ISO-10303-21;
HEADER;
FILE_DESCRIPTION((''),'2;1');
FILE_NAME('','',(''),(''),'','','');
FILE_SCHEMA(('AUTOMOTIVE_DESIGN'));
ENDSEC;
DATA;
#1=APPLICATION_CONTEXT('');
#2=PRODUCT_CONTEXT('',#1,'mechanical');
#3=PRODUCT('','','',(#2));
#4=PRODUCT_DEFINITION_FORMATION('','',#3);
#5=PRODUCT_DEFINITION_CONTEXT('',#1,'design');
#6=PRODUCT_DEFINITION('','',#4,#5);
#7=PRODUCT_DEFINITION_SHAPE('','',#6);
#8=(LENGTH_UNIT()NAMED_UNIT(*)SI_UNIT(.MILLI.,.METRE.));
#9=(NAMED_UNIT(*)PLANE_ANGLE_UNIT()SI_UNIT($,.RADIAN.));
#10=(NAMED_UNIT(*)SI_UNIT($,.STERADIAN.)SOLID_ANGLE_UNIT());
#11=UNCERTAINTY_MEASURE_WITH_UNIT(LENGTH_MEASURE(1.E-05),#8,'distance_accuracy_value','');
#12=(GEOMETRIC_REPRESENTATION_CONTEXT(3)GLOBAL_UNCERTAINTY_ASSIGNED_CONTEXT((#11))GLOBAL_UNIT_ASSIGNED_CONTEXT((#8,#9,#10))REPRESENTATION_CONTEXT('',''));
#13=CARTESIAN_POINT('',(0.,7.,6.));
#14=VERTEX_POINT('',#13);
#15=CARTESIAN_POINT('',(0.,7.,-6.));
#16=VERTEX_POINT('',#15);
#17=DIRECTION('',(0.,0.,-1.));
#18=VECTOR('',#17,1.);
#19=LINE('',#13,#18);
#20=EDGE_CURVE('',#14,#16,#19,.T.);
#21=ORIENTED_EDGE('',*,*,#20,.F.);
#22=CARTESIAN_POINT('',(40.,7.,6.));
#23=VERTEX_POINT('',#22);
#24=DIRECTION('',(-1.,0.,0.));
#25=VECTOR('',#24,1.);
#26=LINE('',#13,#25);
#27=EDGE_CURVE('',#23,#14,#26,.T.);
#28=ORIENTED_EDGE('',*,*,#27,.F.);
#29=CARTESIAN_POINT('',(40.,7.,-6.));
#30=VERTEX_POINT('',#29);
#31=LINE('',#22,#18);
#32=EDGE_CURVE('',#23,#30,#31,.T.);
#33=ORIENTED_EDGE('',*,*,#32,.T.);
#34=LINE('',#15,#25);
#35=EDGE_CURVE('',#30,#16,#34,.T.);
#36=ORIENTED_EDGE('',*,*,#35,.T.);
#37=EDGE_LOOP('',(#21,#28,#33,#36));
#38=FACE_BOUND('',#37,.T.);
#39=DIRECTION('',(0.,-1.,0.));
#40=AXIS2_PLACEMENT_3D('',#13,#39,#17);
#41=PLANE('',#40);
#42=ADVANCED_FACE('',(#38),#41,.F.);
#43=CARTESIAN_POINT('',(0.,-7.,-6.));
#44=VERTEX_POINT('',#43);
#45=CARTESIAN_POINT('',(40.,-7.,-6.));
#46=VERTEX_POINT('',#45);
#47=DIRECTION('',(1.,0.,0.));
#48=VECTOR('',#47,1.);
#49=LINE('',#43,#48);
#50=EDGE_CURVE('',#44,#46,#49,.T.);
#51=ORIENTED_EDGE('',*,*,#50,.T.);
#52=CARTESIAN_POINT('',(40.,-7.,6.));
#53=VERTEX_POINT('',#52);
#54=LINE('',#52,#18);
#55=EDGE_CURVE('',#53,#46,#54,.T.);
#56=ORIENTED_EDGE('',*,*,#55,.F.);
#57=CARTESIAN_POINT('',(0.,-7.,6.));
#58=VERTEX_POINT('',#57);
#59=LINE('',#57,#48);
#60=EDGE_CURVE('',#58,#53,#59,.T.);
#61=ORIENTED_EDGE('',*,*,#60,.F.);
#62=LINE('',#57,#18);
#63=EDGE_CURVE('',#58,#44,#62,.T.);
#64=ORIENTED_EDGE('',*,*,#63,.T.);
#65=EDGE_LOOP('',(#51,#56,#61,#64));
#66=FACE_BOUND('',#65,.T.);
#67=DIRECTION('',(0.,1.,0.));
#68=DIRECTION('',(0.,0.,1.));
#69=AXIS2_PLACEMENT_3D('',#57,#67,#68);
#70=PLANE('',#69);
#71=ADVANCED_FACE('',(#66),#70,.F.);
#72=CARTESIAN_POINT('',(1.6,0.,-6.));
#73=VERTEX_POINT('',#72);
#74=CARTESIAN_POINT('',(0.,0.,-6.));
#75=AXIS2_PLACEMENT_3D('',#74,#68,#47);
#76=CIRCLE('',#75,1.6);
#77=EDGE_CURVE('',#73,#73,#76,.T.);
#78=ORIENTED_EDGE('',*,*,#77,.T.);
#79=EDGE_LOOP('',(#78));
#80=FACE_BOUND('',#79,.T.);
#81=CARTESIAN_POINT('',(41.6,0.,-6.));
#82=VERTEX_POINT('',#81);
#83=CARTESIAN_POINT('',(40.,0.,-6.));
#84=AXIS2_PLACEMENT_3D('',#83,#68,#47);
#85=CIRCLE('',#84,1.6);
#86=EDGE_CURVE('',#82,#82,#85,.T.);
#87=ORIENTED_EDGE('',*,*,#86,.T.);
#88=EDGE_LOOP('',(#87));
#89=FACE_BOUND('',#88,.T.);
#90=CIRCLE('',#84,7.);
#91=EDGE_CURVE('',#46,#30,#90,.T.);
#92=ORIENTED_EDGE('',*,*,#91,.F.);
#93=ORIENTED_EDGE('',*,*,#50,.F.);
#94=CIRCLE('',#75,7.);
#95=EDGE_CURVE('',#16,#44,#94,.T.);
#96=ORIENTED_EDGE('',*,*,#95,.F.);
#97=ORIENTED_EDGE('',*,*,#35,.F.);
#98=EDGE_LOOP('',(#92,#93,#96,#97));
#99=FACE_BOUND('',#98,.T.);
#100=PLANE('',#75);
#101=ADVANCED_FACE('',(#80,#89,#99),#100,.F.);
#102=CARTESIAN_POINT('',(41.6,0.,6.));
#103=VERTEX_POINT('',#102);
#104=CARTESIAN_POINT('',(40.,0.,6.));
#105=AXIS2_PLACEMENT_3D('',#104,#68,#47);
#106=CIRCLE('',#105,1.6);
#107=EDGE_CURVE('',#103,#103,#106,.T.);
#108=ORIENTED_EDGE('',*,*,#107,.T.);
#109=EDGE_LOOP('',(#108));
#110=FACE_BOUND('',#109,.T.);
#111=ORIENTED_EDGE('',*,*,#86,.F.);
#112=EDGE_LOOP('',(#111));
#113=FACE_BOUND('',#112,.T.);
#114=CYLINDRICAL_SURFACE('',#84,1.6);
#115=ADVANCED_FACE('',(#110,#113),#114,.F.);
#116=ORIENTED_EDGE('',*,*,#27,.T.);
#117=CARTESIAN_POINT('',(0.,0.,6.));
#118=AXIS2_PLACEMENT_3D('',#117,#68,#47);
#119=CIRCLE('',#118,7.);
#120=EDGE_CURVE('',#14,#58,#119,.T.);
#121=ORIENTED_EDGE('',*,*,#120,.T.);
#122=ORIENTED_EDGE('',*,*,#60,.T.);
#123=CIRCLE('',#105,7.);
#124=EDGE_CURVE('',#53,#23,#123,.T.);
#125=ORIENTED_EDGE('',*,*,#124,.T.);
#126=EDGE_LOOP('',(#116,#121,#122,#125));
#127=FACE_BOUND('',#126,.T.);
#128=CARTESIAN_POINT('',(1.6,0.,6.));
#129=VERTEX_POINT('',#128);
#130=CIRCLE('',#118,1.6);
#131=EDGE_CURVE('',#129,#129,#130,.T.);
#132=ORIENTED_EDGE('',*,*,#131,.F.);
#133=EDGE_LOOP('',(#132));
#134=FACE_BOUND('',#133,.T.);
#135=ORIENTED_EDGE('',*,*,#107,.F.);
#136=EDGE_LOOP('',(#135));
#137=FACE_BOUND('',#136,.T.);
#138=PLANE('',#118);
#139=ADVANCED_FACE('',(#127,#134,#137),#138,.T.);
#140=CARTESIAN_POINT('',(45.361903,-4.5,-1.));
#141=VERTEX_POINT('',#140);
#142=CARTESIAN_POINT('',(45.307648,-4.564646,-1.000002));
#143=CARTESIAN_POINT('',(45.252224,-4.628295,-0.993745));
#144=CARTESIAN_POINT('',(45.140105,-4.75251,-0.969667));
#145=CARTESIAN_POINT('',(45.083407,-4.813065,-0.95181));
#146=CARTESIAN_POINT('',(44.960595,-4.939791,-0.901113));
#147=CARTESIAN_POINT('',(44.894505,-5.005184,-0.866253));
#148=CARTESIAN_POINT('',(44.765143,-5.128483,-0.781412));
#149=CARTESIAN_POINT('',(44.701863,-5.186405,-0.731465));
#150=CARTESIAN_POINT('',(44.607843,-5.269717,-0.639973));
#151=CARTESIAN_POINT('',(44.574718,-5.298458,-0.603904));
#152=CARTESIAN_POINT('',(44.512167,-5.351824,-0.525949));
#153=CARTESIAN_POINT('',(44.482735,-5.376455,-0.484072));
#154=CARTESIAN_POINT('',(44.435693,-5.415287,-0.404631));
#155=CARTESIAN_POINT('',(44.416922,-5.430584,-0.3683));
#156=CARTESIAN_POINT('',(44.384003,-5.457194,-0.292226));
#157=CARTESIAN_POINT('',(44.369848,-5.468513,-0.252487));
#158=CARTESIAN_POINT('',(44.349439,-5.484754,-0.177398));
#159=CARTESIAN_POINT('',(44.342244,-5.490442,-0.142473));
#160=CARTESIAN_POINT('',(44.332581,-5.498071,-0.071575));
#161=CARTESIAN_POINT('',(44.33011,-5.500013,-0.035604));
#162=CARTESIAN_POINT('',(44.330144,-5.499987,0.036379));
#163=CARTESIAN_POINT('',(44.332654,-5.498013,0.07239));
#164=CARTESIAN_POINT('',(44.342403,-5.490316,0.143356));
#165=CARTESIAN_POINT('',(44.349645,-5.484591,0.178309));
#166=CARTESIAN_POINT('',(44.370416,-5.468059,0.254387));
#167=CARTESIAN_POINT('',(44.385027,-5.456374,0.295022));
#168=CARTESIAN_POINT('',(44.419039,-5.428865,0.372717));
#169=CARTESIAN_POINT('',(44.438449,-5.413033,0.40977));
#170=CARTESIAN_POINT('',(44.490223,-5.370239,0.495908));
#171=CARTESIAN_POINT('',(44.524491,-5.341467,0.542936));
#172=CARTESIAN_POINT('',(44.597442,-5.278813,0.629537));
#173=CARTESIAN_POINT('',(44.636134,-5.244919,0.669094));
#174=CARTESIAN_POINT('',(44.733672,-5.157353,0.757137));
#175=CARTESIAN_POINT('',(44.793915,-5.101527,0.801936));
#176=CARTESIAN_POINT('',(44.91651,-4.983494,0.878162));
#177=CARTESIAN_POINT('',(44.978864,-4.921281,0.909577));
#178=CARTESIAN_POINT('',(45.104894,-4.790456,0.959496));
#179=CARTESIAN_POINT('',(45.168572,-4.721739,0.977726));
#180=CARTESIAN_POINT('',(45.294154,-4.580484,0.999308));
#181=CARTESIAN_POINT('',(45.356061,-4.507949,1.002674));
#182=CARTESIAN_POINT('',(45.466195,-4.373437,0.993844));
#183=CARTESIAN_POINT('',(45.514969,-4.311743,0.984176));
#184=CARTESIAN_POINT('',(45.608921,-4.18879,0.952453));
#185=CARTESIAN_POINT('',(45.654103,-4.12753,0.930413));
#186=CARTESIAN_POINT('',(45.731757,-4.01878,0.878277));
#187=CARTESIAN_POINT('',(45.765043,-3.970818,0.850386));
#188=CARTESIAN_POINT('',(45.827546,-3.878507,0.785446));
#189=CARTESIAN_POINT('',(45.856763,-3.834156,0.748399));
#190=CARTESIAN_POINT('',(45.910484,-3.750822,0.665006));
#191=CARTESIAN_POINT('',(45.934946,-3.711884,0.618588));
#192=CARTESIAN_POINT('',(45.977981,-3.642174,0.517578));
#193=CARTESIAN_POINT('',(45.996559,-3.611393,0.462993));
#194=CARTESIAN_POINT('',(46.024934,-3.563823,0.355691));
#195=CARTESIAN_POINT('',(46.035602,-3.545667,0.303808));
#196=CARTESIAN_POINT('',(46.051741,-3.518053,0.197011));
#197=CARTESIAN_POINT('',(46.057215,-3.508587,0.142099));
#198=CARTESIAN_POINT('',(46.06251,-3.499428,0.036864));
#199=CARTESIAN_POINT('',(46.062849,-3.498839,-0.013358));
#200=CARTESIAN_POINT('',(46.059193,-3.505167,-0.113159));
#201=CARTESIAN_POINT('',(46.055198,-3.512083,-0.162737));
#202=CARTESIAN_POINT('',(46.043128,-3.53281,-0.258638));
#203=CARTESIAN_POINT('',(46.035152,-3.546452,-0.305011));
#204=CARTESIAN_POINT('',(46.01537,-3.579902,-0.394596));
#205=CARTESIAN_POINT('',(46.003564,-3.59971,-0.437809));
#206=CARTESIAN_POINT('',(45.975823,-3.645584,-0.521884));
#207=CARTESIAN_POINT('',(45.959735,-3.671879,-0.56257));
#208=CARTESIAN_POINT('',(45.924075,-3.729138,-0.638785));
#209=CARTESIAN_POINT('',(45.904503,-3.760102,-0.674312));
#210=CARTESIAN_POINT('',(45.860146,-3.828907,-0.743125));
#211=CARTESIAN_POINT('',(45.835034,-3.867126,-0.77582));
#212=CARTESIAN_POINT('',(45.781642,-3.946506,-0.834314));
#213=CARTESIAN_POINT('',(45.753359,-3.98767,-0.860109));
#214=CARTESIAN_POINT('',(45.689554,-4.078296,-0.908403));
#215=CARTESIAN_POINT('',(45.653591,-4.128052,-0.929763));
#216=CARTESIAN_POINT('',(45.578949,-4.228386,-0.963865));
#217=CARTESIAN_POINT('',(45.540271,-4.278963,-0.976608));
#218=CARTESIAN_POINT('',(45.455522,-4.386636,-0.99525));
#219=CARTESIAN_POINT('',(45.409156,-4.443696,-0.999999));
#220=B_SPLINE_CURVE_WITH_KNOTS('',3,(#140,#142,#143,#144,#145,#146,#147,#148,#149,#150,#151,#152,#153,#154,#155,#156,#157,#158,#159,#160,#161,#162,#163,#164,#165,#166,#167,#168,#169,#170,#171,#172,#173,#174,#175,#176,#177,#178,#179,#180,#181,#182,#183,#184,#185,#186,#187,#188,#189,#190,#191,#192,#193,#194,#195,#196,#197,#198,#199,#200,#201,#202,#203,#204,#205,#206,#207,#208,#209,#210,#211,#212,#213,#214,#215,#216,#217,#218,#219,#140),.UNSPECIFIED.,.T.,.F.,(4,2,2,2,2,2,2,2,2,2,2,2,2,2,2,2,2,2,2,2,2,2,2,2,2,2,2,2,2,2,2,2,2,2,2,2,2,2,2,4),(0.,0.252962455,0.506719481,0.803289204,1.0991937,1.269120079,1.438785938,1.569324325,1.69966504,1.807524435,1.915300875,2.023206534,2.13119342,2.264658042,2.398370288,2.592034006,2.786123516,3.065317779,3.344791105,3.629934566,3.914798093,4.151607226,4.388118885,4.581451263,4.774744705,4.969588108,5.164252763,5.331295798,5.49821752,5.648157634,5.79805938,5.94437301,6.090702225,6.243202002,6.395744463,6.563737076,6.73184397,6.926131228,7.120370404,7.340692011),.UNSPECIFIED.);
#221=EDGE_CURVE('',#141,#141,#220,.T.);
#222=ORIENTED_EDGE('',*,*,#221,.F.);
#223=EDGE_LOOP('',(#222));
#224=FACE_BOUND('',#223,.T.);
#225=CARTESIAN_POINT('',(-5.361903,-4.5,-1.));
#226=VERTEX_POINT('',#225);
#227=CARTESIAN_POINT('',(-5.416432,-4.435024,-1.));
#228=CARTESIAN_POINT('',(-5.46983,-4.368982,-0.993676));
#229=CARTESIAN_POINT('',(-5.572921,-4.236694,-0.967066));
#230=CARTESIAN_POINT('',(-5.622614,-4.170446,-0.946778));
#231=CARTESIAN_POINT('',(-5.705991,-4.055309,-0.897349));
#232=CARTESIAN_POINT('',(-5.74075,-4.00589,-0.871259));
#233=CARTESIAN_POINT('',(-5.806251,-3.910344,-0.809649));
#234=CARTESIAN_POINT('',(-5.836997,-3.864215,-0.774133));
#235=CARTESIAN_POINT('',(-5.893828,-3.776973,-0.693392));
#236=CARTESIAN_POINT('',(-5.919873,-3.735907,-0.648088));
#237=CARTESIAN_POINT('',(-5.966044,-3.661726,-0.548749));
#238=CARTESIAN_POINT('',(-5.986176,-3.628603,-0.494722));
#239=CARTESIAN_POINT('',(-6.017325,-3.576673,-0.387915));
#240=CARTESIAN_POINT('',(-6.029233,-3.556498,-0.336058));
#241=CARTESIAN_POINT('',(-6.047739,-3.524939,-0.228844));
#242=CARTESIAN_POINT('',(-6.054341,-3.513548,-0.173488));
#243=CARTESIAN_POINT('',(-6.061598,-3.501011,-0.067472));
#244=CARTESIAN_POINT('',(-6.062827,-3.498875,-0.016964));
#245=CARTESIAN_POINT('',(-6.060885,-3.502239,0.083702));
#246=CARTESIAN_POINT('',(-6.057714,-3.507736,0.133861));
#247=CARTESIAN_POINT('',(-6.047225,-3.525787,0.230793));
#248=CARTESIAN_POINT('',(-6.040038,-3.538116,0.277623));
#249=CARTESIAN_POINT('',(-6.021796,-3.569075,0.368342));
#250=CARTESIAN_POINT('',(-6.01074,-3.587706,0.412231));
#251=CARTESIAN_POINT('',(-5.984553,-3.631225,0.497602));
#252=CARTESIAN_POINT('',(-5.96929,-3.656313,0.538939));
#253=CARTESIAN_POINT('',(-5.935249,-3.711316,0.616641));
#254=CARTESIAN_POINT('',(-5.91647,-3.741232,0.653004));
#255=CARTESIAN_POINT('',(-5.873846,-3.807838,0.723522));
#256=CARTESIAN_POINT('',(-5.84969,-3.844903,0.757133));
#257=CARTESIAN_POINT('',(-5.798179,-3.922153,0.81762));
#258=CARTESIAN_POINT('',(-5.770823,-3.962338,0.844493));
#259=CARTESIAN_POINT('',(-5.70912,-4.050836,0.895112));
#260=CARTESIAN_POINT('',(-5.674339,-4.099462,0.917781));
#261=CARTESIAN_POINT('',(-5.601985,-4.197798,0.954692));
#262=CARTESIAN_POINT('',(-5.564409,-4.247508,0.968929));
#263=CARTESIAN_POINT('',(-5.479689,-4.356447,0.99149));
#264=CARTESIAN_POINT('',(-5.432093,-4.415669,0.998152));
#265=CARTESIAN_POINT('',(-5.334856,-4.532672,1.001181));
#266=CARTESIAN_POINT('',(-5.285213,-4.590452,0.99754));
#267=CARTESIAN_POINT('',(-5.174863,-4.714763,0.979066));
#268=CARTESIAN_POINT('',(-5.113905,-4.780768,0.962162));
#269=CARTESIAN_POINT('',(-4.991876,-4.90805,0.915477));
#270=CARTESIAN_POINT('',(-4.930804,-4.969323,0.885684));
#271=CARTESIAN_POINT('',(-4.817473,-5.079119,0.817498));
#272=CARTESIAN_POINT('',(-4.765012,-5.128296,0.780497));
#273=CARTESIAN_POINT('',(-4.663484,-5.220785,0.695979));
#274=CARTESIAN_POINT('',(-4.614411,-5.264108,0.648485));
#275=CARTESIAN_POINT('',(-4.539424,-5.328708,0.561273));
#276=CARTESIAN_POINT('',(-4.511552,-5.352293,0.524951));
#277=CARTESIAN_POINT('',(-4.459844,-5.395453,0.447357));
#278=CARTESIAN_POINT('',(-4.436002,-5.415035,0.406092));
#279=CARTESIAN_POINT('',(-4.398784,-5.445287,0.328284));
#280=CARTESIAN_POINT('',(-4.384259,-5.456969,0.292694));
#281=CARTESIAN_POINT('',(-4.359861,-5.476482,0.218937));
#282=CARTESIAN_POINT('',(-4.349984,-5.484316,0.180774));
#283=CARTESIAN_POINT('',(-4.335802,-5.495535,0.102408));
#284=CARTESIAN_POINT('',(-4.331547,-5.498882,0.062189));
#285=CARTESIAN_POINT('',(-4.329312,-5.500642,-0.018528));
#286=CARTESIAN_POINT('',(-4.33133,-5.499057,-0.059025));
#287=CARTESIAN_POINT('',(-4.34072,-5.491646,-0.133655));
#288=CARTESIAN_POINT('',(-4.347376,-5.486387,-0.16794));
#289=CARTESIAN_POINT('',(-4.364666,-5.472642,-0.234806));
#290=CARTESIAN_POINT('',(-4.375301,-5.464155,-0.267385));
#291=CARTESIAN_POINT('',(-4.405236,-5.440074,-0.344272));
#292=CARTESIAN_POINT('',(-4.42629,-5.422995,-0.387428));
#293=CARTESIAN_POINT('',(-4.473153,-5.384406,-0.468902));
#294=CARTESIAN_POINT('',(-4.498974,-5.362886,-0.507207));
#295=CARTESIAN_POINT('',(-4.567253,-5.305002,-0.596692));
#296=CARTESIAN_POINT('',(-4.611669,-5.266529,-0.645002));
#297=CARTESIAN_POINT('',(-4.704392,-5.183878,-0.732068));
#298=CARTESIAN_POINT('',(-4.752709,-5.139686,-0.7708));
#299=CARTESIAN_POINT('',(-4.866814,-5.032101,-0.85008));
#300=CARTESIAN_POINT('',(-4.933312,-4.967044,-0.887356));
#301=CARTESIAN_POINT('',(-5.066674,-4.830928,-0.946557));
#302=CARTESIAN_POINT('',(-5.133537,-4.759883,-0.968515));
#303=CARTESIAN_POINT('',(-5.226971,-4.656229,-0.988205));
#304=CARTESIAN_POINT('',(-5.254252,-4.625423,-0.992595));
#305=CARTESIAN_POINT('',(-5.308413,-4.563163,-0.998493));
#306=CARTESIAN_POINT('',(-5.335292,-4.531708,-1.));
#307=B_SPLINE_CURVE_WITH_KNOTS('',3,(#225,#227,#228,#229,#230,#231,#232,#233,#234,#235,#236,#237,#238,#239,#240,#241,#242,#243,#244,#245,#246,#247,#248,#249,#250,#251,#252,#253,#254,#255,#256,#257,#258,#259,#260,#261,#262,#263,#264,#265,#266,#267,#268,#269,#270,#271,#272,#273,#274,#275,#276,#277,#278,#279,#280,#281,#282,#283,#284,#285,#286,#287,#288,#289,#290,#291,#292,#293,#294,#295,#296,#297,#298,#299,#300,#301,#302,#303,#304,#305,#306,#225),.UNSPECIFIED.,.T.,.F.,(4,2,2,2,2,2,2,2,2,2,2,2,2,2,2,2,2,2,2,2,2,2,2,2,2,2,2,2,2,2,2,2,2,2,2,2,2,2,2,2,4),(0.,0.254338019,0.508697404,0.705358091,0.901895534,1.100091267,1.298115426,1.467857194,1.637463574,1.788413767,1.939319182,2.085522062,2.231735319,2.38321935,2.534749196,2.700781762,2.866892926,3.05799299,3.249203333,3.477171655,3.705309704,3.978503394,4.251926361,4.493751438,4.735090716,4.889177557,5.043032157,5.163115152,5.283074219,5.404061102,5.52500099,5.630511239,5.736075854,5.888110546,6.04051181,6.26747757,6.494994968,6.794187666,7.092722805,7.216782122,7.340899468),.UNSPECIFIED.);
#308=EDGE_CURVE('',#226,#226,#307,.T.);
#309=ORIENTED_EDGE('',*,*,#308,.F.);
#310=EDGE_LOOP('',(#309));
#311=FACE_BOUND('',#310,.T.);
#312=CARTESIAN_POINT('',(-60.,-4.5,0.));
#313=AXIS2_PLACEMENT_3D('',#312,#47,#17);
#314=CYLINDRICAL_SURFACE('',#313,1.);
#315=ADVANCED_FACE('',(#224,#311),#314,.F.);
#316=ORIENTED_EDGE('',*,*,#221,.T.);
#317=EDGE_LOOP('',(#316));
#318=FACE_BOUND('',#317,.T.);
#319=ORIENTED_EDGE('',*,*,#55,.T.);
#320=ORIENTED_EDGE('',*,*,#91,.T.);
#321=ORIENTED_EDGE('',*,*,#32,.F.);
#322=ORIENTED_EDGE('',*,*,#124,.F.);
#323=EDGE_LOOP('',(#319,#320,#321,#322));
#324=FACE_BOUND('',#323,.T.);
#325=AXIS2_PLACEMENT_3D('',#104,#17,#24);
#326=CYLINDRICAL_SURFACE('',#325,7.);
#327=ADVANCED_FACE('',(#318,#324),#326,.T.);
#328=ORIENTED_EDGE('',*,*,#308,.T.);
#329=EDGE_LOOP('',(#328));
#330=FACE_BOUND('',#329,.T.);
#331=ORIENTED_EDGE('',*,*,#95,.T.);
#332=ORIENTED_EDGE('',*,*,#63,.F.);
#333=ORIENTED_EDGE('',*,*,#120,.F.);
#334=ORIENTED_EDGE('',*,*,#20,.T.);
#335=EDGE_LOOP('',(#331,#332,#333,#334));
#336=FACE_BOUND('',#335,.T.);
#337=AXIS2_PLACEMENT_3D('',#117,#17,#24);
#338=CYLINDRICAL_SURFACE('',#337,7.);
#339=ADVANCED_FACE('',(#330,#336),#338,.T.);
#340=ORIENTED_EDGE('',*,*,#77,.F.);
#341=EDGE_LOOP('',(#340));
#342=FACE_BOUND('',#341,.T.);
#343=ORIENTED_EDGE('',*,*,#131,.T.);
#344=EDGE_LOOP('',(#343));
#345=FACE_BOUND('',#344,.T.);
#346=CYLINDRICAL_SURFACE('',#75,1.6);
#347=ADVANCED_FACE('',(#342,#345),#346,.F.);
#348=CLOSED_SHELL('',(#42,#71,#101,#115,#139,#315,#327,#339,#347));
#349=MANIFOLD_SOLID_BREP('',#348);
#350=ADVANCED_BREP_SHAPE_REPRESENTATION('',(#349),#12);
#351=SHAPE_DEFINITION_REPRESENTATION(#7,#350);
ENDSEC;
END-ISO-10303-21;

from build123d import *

# Parameters (mm, degrees)
BOSS_EXTRUDE1_DEPTH = 6
SKETCH2_R           = 1.6
CUT_EXTRUDE1_DEPTH  = 50.010203019
SKETCH3_R           = 1
CUT_EXTRUDE2_DEPTH  = 60


with BuildPart() as part:
    # Sketch1 → Boss-Extrude1 (new, symmetric)
    with BuildSketch(Plane.XY):
        with BuildLine():
            Line((0, 7), (40, 7))
            ThreePointArc((40, 7), (47, 0), (40, -7))
            Line((40, -7), (0, -7))
            ThreePointArc((0, -7), (-7, 0), (0, 7))
        make_face()
    extrude(amount=BOSS_EXTRUDE1_DEPTH, both=True)

    # Sketch2 → Cut-Extrude1 (cut, through all)
    with BuildSketch(Plane.XY.offset(6)):
        Circle(SKETCH2_R)
        with Locations((40, 0)):
            Circle(SKETCH2_R)
    extrude(amount=-CUT_EXTRUDE1_DEPTH, mode=Mode.SUBTRACT)

    # Sketch3 → Cut-Extrude2 (cut, symmetric)
    with BuildSketch(Plane(origin=(0, 0, 0), x_dir=(0, 0, -1), z_dir=(1, 0, 0))):
        with Locations((0, -4.5)):
            Circle(SKETCH3_R)
    extrude(amount=CUT_EXTRUDE2_DEPTH, both=True, mode=Mode.SUBTRACT)


solid = part.part
